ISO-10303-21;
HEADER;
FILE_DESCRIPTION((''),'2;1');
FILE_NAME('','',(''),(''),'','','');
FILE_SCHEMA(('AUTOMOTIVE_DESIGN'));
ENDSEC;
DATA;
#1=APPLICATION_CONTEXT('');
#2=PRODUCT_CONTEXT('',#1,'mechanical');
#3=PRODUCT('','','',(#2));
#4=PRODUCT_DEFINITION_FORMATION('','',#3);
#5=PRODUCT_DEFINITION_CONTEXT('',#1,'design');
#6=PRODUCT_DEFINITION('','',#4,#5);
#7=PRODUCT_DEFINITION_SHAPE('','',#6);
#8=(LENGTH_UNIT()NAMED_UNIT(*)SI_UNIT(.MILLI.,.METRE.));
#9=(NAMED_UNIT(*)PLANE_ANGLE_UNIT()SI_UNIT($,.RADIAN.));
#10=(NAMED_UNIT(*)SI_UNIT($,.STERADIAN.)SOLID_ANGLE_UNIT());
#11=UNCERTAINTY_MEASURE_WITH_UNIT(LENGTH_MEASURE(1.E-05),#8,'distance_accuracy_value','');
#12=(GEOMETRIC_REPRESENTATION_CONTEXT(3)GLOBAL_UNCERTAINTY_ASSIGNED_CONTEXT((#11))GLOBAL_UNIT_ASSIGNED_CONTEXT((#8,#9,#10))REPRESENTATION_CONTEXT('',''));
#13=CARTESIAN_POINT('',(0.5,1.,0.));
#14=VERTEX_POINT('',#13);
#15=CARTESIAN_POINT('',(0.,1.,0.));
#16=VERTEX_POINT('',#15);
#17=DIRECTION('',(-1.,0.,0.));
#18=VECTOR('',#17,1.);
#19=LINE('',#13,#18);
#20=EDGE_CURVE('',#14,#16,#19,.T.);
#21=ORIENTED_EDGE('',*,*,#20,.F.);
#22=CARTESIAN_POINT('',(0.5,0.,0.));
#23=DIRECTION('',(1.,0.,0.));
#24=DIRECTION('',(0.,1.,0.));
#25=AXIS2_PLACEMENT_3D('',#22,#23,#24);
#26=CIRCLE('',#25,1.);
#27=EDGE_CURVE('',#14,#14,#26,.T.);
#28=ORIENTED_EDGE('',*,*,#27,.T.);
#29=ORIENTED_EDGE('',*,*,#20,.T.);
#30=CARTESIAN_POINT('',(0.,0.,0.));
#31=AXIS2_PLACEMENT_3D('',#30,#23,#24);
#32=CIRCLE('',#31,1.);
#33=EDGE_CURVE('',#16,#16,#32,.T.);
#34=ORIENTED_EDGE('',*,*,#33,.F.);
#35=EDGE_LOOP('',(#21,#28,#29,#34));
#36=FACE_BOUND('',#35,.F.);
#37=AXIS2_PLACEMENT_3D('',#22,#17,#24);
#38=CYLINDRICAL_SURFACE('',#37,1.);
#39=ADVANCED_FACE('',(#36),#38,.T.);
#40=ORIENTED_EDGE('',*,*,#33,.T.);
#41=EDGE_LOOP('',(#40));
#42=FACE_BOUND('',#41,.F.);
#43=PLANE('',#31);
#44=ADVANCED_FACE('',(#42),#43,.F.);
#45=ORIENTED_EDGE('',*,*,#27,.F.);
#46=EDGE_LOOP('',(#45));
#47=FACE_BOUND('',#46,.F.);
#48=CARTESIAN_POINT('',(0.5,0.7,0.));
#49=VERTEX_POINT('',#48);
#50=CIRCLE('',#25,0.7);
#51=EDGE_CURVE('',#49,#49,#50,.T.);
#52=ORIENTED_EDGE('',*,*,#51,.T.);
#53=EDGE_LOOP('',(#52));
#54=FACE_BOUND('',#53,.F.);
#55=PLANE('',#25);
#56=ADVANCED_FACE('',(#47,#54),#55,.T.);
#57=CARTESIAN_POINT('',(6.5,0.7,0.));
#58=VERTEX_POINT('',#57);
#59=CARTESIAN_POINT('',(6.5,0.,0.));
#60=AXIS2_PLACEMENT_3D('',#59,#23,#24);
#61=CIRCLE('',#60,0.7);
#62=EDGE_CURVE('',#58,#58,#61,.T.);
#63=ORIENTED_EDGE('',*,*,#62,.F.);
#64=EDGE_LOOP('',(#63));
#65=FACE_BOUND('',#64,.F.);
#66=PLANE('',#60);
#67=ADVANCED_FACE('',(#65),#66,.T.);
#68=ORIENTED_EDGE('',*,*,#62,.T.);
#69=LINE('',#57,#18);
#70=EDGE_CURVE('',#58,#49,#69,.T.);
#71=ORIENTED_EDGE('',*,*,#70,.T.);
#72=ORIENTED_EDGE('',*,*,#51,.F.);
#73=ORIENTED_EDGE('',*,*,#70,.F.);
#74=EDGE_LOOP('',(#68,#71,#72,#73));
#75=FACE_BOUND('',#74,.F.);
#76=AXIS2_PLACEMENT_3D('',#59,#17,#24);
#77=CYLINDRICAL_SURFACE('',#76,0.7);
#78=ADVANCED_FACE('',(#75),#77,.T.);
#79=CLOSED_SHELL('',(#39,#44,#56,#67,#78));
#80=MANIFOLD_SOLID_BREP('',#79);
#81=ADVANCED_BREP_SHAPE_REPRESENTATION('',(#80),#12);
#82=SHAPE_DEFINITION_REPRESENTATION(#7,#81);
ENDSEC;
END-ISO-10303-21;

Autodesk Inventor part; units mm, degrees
ref_plane "YZ Plane" through (0, 0, 0) normal (1, 0, 0) x (0, 1, 0)
ref_plane "XZ Plane" through (0, 0, 0) normal (0, 1, 0) x (-1, 0, 0)
ref_plane "XY Plane" through (0, 0, 0) normal (0, 0, 1) x (1, 0, 0)
sketch "スケッチ1" plane through (0, 0, 0) normal (0, 0, 1) x (1, 0, 0)
  line L0 (0, 0) -> (6.5, 0)
  line L1 (6.5, 0) -> (6.5, 0.7)
  line L2 (6.5, 0.7) -> (0.5, 0.7)
  line L3 (0.5, 0.7) -> (0.5, 1)
  line L4 (0.5, 1) -> (0, 1)
  line L5 (0, 1) -> (0, 0)
  dimension "d0" = 0.5
  dimension "d1" = 1
  dimension "d2" = 0.7
  dimension "d3" = 6
revolve "回転1" add sketch "スケッチ1" angle 360 about axis through (0, 0, 0) along (1, 0, 0)
properties part number "bolt_M2L6" material "鋼"
